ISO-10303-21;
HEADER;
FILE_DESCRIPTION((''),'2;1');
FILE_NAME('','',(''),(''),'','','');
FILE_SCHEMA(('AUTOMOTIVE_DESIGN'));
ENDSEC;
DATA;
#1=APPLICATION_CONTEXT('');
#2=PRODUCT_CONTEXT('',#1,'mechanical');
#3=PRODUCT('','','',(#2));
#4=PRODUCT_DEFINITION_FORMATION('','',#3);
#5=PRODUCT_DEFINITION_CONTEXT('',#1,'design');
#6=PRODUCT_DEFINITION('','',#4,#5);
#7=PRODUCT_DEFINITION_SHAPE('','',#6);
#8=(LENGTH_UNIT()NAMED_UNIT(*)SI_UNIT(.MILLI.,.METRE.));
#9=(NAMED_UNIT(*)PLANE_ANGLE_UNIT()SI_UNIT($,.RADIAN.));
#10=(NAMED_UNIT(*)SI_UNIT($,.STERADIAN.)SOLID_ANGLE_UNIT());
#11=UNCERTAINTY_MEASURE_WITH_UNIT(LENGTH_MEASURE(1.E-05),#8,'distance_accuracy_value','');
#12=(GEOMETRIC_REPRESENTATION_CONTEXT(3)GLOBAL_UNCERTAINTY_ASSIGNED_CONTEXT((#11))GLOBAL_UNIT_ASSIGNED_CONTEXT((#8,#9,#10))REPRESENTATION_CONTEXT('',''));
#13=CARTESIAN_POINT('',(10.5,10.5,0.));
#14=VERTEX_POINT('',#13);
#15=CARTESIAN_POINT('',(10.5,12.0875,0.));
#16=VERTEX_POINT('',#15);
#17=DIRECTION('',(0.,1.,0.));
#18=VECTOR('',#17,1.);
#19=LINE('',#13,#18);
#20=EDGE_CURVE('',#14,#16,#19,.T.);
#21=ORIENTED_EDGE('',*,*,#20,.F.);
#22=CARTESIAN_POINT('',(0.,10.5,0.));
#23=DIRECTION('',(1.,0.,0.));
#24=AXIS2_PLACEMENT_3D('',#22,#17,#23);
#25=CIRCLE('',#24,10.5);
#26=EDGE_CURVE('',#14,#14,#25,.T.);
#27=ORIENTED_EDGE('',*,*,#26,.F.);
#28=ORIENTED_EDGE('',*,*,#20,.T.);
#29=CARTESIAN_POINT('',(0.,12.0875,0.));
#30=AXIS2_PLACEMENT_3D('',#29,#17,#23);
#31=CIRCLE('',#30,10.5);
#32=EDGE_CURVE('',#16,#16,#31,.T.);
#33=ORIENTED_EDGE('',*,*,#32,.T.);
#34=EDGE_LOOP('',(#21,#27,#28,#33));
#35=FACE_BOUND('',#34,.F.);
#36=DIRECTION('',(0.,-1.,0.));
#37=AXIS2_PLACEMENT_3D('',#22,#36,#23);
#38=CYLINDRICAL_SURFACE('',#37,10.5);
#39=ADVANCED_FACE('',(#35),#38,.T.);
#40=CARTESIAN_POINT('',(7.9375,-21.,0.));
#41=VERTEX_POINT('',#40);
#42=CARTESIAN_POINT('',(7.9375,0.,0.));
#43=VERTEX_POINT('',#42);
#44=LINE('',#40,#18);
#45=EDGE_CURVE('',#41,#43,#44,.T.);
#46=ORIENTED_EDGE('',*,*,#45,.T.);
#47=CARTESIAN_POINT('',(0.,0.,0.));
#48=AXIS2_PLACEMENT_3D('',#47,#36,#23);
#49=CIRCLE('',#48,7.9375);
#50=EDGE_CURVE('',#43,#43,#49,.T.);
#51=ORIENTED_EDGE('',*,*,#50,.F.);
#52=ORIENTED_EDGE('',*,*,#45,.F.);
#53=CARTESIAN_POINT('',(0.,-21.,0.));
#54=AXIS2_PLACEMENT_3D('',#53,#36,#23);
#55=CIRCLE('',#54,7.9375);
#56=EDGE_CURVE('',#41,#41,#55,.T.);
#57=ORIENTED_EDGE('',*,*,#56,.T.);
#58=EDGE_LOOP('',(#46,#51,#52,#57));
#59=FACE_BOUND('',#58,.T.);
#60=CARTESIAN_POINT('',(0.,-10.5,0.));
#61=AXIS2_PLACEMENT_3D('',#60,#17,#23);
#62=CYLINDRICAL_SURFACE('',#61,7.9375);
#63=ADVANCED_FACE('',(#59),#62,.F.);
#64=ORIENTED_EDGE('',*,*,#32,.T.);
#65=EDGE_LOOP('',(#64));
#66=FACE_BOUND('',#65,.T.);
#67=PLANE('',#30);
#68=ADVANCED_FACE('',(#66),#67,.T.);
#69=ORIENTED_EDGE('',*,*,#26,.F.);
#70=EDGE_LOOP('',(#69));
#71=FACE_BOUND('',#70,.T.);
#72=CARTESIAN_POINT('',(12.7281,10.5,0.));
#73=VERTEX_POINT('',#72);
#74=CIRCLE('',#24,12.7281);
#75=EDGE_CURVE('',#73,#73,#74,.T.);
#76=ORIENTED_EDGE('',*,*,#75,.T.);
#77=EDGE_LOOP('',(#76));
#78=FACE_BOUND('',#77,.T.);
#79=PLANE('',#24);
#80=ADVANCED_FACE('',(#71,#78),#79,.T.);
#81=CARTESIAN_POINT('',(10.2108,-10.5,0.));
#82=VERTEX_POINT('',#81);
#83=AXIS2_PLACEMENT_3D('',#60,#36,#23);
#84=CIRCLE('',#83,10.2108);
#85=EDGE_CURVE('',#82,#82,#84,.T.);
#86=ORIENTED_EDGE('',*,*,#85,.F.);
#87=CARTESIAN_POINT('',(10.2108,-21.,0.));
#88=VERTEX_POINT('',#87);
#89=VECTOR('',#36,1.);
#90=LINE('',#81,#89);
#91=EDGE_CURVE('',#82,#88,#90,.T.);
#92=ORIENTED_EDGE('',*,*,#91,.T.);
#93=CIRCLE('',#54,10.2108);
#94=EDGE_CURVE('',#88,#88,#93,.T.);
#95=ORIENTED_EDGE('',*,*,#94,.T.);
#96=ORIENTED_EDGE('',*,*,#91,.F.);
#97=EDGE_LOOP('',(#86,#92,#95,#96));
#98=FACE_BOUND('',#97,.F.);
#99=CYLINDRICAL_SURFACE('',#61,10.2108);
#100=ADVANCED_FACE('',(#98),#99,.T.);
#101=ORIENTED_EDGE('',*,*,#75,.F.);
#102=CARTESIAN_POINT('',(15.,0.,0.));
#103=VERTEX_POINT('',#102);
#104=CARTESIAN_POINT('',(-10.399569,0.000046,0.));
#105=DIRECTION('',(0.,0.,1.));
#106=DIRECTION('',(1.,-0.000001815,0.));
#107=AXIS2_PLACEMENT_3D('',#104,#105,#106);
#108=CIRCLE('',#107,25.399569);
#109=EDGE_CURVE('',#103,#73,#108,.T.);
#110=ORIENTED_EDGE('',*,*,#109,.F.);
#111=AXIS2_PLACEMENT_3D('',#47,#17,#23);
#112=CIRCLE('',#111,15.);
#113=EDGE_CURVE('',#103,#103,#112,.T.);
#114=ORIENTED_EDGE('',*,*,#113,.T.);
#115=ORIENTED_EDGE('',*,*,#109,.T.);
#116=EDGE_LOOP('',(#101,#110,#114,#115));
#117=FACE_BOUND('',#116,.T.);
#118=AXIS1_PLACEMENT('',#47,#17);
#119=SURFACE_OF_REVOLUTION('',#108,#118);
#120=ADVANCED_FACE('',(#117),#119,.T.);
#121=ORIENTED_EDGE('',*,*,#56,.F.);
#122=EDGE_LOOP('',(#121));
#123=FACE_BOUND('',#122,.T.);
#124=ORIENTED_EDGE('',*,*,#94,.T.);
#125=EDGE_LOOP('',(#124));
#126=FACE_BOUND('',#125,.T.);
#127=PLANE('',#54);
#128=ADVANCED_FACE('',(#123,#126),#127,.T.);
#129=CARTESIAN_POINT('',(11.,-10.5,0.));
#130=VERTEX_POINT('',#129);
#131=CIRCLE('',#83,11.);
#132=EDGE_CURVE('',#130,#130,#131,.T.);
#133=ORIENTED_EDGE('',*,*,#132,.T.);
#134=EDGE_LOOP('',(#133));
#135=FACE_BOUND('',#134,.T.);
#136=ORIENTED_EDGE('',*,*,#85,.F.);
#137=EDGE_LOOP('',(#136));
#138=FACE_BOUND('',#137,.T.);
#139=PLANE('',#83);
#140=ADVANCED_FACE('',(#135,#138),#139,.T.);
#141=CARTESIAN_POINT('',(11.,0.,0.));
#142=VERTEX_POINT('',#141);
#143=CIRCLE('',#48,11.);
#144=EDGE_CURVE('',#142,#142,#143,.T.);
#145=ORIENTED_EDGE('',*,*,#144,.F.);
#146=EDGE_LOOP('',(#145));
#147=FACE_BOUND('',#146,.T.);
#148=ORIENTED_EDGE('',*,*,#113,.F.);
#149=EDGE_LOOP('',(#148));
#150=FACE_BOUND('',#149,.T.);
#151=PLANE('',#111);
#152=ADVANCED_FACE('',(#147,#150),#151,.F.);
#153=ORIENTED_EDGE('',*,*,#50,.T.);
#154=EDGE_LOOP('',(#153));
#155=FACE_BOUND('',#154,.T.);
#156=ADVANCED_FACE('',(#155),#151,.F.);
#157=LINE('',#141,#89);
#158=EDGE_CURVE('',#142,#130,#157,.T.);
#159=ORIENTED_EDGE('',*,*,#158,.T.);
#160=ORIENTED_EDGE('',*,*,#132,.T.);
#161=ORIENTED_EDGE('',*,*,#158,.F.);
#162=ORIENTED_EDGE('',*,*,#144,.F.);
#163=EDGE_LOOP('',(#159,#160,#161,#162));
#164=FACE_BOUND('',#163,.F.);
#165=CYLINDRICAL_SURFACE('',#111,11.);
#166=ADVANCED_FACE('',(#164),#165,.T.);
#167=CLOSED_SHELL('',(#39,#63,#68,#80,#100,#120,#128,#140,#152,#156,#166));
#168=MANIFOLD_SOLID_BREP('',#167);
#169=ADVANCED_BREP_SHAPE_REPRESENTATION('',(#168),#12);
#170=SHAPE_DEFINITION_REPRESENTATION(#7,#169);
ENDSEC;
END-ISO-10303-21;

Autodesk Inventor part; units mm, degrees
ref_plane "YZ Plane" through (0, 0, 0) normal (1, 0, 0) x (0, 1, 0)
ref_plane "XZ Plane" through (0, 0, 0) normal (0, 1, 0) x (-1, 0, 0)
ref_plane "XY Plane" through (0, 0, 0) normal (0, 0, 1) x (1, 0, 0)
sketch "Sketch9" plane through (0, 0, 0) normal (0, 0, 1) x (1, 0, 0)
  line L0 (0, 0) -> (0, 10.5)
  line L1 (0, 0) -> (15, 0)
  arc A0 (15, 0) -> (12.7281, 10.5) centre (-10.4, 0) ccw
  line L2 (12.7281, 10.5) -> (0, 10.5)
  dimension "d35" = 30
  dimension "d37" = 25.4
  dimension "d43" = 10.5
revolve "Revolution1" add sketch "Sketch9" angle 360 about axis through (0, 0, 0) along (0, 1, 0)
sketch "Sketch10" plane through (0, 10.5, 0) normal (0, 1, 0) x (1, 0, 0)
  circle A0 centre (0, 0) radius 12.7281 projected
  circle A1 centre (0, 0) radius 10.5
  dimension "d39" = 21
extrude "Extrusion6" add sketch "Sketch10" along normal blind 1.5875 contours A1
sketch "Sketch11" plane through (0, 0, 0) normal (0, -1, 0) x (1, 0, 0)
  circle A0 centre (0, 0) radius 15 projected
  circle A1 centre (0, 0) radius 11
  circle A2 centre (0, 0) radius 7.9375
  dimension "d42" = 22
  dimension "d44" = 15.875
extrude "Extrusion7" add sketch "Sketch11" along normal blind 10.5 contours A1
sketch "Sketch12" plane through (0, -10.5, 0) normal (0, -1, 0) x (1, 0, 0)
  circle A0 centre (0, 0) radius 7.9375 projected
  circle A1 centre (0, 0) radius 11 projected
  circle A2 centre (0, 0) radius 10.2108
  dimension "d47" = 20.4216
extrude "Extrusion8" add sketch "Sketch12" along normal blind 10.5 contours A2
sketch "Sketch13" plane through (0, -21, 0) normal (0, -1, 0) x (1, 0, 0)
  circle A0 centre (0, 0) radius 5.08
  point P0 (0, 5.08)
  point P1 (0, -5.08)
  dimension "d52" = 10.16
properties part number "800MR-D6D1" material "Delrin, Black"
